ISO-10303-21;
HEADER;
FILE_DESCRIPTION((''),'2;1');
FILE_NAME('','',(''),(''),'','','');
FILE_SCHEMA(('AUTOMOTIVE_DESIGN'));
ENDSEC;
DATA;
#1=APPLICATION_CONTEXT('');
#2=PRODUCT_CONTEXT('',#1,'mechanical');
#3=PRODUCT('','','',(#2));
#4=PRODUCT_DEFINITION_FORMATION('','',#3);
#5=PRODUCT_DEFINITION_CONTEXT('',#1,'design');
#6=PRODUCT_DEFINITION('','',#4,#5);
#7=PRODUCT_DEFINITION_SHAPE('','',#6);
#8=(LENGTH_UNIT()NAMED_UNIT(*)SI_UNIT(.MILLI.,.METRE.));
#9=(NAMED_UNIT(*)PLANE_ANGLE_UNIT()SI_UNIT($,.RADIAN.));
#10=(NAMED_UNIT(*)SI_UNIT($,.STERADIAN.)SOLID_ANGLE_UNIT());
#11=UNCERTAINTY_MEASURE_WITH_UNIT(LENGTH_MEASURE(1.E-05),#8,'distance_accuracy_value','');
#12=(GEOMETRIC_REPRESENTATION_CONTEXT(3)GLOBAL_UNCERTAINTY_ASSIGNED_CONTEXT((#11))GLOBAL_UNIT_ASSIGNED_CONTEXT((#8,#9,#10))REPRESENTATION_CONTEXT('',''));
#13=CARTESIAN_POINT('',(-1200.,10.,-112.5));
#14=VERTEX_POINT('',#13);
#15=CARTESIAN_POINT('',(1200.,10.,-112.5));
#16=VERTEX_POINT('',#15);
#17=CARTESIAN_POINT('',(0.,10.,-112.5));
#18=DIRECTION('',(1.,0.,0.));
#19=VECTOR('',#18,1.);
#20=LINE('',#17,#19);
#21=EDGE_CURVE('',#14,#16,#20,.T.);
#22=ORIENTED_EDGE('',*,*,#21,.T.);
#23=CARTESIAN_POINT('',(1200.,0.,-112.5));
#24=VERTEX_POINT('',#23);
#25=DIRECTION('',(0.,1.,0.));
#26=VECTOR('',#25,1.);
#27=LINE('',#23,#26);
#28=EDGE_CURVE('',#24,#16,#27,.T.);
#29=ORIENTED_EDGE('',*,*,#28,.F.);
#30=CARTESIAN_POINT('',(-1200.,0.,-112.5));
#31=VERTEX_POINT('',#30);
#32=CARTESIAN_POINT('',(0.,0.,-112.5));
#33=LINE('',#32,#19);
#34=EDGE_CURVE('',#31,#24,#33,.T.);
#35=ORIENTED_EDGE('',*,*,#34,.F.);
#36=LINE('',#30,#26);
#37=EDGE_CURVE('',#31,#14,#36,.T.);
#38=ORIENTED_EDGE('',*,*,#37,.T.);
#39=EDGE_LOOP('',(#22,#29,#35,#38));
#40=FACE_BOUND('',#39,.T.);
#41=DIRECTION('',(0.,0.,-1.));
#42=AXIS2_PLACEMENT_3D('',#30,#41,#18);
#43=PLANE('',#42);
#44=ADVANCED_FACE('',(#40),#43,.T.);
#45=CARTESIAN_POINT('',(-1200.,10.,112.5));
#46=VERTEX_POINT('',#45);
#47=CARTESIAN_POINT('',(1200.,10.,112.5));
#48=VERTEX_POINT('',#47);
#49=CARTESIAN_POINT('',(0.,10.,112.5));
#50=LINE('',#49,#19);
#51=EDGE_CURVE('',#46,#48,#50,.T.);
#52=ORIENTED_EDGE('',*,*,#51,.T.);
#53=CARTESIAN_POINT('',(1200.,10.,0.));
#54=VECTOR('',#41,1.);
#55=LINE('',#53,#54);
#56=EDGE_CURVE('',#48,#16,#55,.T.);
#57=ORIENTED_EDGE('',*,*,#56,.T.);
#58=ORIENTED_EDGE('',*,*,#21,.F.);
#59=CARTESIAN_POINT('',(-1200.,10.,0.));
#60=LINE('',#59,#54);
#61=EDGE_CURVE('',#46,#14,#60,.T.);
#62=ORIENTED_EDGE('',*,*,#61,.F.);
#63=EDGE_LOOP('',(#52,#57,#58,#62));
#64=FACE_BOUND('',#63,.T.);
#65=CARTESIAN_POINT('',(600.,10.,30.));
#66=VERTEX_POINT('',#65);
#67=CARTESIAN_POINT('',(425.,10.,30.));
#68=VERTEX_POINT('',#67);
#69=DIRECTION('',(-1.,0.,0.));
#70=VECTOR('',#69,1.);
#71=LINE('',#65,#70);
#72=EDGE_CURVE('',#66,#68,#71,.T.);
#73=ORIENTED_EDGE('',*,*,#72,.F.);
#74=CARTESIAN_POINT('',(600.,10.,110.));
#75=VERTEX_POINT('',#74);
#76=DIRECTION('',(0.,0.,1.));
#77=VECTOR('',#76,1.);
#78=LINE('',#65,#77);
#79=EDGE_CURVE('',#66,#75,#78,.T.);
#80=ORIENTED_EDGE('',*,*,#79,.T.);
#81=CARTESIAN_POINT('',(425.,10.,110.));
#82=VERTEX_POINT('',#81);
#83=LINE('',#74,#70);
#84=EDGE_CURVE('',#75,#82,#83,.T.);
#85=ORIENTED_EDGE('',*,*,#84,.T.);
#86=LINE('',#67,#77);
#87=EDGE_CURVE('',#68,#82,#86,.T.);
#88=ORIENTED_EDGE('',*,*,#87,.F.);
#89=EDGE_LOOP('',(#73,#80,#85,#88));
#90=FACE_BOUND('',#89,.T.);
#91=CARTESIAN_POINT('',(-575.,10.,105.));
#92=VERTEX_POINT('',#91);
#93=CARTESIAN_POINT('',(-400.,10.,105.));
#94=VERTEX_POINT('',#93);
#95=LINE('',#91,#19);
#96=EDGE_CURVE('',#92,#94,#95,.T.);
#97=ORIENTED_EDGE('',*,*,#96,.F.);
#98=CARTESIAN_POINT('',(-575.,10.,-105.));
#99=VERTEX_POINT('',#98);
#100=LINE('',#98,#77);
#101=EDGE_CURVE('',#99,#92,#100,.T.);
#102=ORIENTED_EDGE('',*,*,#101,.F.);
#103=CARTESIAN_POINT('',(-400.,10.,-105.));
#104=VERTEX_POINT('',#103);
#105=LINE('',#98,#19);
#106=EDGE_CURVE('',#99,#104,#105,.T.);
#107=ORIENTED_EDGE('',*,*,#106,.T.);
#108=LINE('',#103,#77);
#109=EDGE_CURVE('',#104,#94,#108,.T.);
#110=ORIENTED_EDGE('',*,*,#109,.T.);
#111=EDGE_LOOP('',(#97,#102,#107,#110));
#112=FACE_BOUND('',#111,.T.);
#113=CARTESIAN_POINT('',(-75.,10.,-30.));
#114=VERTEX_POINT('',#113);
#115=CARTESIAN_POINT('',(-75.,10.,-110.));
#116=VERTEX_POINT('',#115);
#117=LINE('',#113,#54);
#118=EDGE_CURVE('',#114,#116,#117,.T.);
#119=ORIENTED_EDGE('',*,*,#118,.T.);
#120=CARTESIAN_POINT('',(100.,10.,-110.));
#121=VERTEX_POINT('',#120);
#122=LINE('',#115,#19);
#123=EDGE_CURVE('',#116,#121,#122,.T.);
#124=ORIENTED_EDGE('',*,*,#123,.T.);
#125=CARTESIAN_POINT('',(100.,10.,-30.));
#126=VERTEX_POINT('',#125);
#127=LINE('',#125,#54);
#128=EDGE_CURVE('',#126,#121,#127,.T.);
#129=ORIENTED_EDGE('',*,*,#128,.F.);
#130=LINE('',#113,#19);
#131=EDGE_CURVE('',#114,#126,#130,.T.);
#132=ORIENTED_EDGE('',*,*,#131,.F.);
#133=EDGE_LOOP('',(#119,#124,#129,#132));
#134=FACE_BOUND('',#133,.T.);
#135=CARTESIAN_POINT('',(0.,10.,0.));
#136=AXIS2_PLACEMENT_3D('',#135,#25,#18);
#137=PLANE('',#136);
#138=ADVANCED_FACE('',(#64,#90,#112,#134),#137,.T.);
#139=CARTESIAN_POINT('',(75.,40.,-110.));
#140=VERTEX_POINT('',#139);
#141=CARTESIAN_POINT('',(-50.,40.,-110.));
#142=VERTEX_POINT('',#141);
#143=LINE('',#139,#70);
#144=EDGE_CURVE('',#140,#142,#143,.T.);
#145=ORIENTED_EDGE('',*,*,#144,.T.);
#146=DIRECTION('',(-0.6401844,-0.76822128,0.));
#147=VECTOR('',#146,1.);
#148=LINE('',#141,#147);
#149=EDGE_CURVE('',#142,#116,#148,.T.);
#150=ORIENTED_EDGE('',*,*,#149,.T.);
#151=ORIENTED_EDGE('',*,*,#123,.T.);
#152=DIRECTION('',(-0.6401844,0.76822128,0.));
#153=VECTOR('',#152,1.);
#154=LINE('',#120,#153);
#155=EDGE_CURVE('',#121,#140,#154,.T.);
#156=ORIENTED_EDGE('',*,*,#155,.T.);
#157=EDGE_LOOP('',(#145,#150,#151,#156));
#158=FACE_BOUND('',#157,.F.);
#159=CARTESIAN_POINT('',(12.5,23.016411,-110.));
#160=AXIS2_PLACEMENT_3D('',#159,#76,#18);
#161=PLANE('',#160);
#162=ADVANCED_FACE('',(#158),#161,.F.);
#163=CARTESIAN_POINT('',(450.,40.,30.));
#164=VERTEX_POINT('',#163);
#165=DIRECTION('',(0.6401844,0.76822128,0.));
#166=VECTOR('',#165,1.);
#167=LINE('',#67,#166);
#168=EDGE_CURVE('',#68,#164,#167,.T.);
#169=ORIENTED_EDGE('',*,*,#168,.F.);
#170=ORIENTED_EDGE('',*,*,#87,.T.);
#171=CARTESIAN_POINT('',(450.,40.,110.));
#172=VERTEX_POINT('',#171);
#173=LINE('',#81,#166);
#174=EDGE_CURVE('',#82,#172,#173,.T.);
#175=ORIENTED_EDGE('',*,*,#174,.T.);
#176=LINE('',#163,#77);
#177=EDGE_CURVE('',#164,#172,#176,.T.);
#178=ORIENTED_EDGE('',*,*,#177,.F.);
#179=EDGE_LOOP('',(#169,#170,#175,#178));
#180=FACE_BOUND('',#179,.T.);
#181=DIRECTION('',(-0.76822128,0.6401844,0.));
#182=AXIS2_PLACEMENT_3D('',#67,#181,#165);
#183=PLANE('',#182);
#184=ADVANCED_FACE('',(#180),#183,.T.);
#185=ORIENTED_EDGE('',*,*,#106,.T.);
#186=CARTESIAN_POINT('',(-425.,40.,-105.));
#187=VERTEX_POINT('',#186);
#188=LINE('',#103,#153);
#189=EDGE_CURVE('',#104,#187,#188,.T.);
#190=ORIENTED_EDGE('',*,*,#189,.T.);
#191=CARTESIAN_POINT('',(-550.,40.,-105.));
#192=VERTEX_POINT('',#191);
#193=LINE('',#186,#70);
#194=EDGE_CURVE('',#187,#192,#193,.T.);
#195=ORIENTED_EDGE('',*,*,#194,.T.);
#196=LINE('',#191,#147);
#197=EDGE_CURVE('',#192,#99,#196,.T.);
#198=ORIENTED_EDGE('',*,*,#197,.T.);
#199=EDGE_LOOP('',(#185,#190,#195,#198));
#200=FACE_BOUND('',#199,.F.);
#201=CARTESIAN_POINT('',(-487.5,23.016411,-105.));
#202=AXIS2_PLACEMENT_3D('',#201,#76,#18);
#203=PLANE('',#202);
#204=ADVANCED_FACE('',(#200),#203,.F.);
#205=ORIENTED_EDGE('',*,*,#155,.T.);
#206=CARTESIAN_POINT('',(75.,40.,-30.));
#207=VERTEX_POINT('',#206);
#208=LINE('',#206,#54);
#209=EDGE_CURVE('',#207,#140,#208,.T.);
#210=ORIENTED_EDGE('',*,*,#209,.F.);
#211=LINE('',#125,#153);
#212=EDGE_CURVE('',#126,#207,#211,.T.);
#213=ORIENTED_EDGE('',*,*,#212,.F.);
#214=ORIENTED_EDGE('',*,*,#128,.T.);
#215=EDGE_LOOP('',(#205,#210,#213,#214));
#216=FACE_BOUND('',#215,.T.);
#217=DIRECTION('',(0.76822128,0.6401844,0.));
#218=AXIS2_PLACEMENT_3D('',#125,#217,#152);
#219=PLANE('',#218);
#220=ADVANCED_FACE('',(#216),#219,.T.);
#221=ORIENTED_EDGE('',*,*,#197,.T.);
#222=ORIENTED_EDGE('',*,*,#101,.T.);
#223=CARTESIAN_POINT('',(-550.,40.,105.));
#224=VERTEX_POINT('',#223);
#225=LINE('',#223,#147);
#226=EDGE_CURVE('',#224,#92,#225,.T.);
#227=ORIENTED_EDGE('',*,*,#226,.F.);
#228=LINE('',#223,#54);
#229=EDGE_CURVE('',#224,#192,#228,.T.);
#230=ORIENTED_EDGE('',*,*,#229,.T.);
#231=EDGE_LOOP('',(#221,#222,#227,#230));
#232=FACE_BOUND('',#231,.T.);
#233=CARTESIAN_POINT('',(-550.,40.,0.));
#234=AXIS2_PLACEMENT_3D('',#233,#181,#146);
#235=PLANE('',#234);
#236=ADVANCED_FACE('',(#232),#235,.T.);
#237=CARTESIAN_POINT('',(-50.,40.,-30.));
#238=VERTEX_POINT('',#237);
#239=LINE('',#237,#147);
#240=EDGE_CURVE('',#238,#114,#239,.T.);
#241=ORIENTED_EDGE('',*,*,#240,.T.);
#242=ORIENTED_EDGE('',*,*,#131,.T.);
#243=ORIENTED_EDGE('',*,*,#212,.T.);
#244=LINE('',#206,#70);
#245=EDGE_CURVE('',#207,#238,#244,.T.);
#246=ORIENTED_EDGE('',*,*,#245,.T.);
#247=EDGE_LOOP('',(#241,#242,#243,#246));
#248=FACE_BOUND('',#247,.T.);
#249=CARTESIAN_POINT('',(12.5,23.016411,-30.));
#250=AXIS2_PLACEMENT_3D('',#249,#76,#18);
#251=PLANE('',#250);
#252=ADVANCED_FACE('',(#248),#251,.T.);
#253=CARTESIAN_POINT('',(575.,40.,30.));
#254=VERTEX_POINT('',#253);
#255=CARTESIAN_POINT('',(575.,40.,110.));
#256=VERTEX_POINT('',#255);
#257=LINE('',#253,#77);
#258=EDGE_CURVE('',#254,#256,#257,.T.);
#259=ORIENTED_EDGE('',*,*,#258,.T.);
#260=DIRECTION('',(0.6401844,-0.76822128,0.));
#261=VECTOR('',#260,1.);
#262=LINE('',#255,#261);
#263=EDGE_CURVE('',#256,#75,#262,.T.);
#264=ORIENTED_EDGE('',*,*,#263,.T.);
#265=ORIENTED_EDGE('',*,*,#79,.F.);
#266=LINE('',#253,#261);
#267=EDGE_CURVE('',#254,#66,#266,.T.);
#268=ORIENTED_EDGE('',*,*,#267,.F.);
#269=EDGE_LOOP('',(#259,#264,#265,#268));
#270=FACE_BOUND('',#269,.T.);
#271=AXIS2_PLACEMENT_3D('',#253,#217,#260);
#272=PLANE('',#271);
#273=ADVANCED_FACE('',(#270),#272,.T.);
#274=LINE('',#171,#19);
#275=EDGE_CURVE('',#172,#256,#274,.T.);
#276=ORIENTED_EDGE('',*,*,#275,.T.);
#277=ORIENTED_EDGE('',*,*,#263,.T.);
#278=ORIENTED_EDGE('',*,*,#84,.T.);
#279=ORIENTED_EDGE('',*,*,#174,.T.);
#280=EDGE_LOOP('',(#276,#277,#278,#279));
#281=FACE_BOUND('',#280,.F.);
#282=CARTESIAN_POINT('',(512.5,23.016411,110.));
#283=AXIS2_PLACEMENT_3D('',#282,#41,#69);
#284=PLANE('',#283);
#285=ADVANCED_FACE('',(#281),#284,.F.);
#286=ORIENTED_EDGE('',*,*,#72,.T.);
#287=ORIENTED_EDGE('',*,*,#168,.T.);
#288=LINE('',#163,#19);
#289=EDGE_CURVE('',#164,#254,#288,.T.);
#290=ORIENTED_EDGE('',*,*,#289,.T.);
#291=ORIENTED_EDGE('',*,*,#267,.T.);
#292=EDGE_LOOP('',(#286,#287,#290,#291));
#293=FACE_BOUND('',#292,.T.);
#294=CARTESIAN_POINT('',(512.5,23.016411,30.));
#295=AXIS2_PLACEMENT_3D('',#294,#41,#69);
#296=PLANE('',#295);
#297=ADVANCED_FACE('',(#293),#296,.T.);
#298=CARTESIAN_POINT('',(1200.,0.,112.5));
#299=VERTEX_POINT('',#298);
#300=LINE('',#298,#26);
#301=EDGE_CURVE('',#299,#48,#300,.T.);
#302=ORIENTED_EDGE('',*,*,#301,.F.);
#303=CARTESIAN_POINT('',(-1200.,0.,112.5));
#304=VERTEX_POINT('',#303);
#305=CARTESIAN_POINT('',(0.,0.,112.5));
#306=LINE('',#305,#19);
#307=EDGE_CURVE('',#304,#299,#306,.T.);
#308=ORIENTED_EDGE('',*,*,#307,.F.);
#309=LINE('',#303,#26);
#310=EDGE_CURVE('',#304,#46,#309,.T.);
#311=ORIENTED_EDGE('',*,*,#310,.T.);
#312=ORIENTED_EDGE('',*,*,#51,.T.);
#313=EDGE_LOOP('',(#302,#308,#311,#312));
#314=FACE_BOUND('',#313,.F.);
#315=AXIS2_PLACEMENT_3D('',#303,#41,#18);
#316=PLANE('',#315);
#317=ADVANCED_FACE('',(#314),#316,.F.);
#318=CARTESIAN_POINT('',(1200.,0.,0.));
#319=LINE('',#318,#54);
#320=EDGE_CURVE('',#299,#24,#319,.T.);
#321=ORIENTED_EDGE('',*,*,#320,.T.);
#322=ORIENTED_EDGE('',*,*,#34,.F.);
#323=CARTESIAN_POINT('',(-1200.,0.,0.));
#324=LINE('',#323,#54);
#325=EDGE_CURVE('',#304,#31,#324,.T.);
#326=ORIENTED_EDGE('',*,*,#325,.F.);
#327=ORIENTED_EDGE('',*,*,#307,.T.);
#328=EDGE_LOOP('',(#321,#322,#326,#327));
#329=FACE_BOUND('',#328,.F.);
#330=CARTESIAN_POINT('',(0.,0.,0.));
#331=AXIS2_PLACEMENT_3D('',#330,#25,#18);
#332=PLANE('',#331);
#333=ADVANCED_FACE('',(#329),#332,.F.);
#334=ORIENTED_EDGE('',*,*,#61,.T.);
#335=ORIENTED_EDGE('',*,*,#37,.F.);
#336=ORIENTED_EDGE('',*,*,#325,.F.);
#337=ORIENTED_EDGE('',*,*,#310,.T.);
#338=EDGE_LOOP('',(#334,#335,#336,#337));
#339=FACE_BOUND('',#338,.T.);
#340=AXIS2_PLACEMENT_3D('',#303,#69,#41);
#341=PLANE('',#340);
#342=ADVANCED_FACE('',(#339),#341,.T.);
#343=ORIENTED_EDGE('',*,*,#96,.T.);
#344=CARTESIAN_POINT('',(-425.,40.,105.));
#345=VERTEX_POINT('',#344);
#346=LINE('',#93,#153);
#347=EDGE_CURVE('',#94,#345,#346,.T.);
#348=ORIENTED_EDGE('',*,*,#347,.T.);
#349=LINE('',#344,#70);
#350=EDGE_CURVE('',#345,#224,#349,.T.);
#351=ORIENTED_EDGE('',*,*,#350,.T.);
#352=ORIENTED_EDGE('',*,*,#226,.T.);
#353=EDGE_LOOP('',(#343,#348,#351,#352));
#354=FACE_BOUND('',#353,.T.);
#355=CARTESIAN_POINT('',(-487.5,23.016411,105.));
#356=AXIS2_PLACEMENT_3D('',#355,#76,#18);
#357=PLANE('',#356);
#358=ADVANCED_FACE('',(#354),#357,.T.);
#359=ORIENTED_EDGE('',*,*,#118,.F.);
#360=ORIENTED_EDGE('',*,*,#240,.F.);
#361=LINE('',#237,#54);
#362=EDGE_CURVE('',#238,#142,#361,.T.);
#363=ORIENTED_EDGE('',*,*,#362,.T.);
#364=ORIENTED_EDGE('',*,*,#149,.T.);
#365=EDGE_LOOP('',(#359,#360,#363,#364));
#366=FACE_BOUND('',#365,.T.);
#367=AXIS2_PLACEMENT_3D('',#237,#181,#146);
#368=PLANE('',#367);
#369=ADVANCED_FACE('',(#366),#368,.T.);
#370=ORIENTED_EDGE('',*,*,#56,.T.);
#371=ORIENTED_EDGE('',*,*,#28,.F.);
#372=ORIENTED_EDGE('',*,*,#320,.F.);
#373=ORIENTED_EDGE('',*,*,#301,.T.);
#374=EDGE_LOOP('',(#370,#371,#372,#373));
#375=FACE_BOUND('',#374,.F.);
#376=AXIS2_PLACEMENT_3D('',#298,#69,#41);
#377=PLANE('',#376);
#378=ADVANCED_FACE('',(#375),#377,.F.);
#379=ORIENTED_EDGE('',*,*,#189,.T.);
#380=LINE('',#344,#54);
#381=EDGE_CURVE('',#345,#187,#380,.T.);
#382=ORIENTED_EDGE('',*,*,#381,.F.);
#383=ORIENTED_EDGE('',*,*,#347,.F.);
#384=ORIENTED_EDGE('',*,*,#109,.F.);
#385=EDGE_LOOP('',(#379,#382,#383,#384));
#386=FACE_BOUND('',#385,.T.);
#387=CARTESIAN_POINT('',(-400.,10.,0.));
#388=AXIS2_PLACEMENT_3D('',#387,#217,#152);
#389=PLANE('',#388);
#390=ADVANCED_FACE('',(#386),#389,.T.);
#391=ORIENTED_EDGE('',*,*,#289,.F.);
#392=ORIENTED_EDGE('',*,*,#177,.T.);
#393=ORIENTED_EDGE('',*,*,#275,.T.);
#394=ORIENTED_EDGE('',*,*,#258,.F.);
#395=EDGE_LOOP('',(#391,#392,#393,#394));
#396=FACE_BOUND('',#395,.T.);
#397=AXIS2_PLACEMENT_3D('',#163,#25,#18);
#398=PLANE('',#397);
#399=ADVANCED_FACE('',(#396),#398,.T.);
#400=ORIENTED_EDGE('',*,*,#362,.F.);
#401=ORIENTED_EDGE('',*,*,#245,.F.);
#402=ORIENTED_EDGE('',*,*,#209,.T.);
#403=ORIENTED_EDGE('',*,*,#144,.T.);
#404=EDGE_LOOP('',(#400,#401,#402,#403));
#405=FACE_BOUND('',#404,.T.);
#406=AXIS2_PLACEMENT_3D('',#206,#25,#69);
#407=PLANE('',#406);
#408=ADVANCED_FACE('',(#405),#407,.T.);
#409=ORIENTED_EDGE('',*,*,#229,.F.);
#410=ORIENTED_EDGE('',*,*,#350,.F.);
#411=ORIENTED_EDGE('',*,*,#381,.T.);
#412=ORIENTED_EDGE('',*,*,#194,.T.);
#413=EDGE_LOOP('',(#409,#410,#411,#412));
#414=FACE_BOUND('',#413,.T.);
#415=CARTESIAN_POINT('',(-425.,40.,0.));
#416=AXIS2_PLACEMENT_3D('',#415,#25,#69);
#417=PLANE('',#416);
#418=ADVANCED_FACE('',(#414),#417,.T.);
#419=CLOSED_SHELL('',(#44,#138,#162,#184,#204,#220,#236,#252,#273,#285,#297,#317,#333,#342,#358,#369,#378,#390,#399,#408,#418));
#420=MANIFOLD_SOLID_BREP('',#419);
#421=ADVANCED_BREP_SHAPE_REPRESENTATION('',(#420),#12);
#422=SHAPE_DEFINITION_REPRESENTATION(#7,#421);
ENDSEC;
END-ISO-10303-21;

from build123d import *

# Parameters (mm, degrees)
SKETCH1_W                = 2400
SKETCH1_H                = 225
BOSS_EXTRUDE1_DEPTH      = 10
BOSS_EXTRUDE2_START      = 30
BOSS_EXTRUDE2_DEPTH      = 80
BOSS_EXTRUDE3_START      = -30
BOSS_EXTRUDE3_DEPTH      = 80
BOSS_EXTRUDE4_DEPTH      = 105
BOSS_EXTRUDE4_DEPTH_BACK = 105


with BuildPart() as part:
    # Sketch1 → Boss-Extrude1 (new body)
    with BuildSketch(Plane(origin=(0, 0, 0), x_dir=(1, 0, 0), z_dir=(0, 1, 0))):
        Rectangle(SKETCH1_W, SKETCH1_H)
    extrude(amount=BOSS_EXTRUDE1_DEPTH)

    # Sketch2 → Boss-Extrude2 (add)
    with BuildSketch(Plane.XY.offset(BOSS_EXTRUDE2_START)):
        Polygon((425, 10), (450, 40), (575, 40), (600, 10), align=None)
    extrude(amount=BOSS_EXTRUDE2_DEPTH)

    # Sketch4 → Boss-Extrude3 (add)
    with BuildSketch(Plane.XY.offset(BOSS_EXTRUDE3_START)):
        Polygon((-50, 40), (-75, 10), (100, 10), (75, 40), align=None)
    extrude(amount=-BOSS_EXTRUDE3_DEPTH)

    # Sketch5 → Boss-Extrude4 (add, two sides)
    with BuildSketch(Plane.XY) as boss_extrude4_sk:
        Polygon((-550, 40), (-575, 10), (-400, 10), (-425, 40), align=None)
    extrude(amount=BOSS_EXTRUDE4_DEPTH)
    extrude(boss_extrude4_sk.sketch, amount=-BOSS_EXTRUDE4_DEPTH_BACK)


solid = part.part
